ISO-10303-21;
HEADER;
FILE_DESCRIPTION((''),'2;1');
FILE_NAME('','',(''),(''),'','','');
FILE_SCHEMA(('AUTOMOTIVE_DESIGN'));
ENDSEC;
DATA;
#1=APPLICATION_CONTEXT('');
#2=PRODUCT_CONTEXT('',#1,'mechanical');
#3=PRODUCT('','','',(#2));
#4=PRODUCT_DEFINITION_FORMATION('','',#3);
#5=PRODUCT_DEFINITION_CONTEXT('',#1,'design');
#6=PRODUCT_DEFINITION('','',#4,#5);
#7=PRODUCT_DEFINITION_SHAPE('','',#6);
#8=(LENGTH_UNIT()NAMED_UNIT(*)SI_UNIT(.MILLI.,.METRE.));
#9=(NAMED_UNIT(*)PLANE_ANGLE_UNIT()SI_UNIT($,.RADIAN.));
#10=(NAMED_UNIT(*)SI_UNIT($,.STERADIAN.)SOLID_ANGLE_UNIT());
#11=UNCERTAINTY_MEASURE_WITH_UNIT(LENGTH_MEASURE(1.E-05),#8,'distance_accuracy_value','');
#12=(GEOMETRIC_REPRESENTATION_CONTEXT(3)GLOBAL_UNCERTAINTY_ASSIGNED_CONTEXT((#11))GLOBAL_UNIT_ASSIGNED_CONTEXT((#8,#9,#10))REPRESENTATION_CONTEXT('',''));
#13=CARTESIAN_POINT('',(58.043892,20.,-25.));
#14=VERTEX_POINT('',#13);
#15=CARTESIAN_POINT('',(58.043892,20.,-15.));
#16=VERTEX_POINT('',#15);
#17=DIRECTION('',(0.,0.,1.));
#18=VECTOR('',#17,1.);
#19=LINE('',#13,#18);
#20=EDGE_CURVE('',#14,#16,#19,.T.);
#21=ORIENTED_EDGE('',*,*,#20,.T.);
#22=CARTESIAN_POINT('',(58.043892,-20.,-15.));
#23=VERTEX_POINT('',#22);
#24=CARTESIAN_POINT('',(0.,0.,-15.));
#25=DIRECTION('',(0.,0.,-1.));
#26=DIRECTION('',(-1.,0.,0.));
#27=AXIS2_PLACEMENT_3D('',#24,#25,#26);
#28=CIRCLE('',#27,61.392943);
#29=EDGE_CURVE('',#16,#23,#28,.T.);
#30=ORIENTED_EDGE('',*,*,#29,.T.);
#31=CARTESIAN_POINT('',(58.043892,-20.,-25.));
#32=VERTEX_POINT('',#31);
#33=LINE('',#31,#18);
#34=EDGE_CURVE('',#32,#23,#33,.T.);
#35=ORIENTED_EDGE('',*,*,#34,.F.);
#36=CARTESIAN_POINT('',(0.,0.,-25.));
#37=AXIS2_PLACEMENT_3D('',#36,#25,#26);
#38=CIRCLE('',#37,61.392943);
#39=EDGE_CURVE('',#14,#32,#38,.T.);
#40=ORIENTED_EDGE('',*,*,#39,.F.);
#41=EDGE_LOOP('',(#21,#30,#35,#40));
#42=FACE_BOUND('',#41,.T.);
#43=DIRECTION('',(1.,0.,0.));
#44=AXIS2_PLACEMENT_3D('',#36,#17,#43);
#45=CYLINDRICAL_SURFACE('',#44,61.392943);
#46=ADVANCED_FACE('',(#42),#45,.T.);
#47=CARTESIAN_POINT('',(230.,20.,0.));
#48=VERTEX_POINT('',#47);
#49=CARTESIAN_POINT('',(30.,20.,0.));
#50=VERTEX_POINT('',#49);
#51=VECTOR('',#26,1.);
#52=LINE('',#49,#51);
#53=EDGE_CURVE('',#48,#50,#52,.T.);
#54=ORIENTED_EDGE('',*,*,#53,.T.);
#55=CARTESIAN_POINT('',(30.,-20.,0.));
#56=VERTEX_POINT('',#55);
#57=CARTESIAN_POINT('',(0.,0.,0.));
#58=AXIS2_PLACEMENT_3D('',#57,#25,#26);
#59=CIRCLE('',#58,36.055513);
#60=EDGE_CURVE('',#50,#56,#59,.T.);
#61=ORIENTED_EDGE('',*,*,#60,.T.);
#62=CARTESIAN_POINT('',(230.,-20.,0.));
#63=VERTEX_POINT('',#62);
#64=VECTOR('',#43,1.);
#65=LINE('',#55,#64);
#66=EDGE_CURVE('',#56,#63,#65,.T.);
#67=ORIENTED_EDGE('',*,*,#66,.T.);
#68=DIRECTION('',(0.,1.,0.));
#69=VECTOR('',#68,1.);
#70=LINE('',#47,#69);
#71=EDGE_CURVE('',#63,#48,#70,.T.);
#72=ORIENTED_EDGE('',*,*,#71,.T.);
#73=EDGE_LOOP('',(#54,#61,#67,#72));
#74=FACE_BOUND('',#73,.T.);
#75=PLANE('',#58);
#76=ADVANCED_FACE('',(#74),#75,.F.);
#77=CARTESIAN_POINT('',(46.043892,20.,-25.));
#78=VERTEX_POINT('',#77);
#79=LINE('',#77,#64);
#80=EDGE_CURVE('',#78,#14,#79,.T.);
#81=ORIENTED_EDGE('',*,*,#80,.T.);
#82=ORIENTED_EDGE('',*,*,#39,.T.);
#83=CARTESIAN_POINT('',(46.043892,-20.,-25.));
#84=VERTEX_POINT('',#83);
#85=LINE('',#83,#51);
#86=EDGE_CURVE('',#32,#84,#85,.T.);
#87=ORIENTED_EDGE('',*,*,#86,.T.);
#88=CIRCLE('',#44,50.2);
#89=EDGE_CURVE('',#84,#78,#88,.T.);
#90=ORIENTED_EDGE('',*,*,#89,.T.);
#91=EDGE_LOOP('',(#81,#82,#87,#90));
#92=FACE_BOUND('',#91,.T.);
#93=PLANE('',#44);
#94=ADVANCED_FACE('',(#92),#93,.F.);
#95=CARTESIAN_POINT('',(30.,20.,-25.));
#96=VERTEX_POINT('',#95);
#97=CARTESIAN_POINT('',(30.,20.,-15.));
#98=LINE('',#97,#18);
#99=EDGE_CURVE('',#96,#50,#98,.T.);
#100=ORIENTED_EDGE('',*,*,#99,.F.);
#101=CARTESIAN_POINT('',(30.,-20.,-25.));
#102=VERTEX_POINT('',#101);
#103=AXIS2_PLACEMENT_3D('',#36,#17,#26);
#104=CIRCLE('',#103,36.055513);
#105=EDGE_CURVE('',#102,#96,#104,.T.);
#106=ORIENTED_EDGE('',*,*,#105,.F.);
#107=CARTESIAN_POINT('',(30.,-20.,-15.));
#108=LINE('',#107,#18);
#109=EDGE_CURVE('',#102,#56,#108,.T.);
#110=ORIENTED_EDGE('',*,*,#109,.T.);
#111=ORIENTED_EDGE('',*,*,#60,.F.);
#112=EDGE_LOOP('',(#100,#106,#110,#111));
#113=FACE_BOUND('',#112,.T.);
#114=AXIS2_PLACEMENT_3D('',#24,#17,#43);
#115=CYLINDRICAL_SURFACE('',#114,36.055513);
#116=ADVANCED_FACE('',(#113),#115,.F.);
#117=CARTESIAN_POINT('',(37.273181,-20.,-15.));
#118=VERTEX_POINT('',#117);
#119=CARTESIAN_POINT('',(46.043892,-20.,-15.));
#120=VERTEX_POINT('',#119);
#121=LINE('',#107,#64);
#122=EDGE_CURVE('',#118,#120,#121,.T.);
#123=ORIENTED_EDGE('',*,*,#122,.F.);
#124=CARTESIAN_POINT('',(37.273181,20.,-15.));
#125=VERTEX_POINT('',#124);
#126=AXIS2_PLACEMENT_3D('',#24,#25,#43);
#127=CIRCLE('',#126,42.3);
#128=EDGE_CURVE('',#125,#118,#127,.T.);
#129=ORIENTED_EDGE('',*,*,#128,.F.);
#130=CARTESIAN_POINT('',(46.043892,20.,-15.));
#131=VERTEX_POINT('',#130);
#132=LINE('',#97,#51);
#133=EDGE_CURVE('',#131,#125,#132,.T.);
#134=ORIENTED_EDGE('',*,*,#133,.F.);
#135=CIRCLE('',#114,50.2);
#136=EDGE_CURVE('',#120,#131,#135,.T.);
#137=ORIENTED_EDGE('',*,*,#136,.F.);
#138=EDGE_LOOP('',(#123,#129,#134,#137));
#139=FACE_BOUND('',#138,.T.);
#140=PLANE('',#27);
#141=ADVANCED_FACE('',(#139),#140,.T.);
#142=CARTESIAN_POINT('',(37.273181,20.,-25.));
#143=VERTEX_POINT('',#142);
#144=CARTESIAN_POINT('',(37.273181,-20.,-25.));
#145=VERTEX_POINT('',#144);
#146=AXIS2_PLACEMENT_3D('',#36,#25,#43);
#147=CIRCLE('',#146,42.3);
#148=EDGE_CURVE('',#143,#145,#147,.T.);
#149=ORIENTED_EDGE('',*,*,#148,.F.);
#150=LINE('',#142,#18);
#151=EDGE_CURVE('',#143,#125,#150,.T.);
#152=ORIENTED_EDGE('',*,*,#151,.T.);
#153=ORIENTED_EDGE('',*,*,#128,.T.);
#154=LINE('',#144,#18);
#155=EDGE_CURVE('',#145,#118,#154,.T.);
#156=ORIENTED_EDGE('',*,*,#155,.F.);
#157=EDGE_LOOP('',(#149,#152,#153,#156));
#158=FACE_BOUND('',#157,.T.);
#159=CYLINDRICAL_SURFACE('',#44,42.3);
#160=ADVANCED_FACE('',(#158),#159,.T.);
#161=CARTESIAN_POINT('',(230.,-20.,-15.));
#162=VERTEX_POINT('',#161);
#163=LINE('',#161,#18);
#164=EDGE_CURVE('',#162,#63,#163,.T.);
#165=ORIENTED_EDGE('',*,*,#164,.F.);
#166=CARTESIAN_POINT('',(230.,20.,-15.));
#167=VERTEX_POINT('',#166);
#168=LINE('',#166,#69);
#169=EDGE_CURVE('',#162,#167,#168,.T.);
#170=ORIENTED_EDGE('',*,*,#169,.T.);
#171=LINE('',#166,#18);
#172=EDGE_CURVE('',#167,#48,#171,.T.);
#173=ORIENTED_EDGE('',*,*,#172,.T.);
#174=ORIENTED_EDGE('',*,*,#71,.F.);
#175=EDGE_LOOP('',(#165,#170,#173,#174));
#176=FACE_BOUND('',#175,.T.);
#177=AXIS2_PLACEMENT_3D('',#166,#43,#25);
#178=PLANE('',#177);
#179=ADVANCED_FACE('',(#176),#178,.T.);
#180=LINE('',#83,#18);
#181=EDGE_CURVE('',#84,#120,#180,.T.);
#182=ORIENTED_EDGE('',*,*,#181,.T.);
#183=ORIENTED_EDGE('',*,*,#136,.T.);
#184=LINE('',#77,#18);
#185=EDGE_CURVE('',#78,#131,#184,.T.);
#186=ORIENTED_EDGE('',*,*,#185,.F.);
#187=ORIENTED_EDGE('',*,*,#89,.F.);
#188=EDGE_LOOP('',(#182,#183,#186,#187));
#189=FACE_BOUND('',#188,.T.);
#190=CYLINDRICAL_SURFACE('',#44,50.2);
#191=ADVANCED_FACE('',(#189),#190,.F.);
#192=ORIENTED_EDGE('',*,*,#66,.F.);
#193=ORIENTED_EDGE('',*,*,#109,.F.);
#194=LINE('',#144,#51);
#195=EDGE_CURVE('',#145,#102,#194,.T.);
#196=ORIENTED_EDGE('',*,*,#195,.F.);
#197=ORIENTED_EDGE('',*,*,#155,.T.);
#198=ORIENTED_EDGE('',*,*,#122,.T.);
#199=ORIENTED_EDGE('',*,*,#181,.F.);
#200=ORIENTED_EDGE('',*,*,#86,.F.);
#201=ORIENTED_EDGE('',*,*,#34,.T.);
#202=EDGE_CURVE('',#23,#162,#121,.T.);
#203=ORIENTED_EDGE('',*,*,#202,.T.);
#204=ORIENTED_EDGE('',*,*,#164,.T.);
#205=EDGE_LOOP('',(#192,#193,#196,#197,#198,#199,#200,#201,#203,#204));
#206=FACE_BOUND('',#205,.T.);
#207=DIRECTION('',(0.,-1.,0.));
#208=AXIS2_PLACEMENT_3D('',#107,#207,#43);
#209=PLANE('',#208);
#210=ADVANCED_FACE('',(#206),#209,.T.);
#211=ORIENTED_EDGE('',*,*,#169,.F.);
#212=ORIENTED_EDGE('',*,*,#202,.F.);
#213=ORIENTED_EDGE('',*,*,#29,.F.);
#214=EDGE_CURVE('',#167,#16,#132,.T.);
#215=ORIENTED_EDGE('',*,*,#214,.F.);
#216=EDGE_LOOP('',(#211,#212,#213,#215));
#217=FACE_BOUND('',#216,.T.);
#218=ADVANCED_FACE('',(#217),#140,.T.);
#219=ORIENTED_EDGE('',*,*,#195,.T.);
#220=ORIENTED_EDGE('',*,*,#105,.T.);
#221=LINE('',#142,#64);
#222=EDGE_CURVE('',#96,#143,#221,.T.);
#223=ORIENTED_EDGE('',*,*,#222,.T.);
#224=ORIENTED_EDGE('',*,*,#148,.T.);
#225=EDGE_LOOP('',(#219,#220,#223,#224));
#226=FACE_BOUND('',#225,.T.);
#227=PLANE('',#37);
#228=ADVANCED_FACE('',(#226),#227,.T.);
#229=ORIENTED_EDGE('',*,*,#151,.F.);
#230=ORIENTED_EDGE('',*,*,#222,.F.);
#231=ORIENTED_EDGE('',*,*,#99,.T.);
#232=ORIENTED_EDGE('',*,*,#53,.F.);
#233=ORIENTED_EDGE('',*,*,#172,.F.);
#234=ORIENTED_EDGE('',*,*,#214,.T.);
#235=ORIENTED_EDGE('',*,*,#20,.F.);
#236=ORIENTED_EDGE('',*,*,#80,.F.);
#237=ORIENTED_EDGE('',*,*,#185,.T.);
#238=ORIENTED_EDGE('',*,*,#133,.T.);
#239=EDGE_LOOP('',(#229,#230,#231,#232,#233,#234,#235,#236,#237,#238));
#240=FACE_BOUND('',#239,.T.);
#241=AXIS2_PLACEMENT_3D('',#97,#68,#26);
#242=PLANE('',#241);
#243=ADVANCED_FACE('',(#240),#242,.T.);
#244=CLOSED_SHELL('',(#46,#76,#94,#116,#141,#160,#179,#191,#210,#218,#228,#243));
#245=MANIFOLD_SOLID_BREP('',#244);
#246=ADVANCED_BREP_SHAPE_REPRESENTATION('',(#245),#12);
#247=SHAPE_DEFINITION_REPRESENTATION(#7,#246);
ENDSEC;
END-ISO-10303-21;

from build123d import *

# Parameters (mm, degrees)
BOSS_EXTRUDE1_DEPTH = 15
BOSS_EXTRUDE2_DEPTH = 10


with BuildPart() as part:
    # Sketch3 → Boss-Extrude1 (new body)
    with BuildSketch(Plane.XY):
        with BuildLine():
            Line((230, 20), (230, -20))
            Line((230, -20), (30, -20))
            ThreePointArc((30, -20), (36.055512755, 0), (30, 20))
            Line((30, 20), (230, 20))
        make_face()
    extrude(amount=-BOSS_EXTRUDE1_DEPTH)

    # Sketch6 → Boss-Extrude2 (add)
    with BuildSketch(Plane(origin=(0, 0, -15), x_dir=(-1, 0, 0), z_dir=(0, 0, -1))):
        with BuildLine():
            Line((-37.273180707, 20), (-30, 20))
            ThreePointArc((-30, 20), (-36.055512755, 0), (-30, -20))
            Line((-30, -20), (-37.273180707, -20))
            ThreePointArc((-37.273180707, -20), (-42.3, 0), (-37.273180707, 20))
        make_face()
        with BuildLine():
            Line((-46.043892103, 20), (-58.043892103, 20))
            ThreePointArc((-58.043892103, 20), (-61.392942676, 0), (-58.043892103, -20))
            Line((-58.043892103, -20), (-46.043892103, -20))
            ThreePointArc((-46.043892103, -20), (-50.2, 0), (-46.043892103, 20))
        make_face()
    extrude(amount=BOSS_EXTRUDE2_DEPTH)


solid = part.part
